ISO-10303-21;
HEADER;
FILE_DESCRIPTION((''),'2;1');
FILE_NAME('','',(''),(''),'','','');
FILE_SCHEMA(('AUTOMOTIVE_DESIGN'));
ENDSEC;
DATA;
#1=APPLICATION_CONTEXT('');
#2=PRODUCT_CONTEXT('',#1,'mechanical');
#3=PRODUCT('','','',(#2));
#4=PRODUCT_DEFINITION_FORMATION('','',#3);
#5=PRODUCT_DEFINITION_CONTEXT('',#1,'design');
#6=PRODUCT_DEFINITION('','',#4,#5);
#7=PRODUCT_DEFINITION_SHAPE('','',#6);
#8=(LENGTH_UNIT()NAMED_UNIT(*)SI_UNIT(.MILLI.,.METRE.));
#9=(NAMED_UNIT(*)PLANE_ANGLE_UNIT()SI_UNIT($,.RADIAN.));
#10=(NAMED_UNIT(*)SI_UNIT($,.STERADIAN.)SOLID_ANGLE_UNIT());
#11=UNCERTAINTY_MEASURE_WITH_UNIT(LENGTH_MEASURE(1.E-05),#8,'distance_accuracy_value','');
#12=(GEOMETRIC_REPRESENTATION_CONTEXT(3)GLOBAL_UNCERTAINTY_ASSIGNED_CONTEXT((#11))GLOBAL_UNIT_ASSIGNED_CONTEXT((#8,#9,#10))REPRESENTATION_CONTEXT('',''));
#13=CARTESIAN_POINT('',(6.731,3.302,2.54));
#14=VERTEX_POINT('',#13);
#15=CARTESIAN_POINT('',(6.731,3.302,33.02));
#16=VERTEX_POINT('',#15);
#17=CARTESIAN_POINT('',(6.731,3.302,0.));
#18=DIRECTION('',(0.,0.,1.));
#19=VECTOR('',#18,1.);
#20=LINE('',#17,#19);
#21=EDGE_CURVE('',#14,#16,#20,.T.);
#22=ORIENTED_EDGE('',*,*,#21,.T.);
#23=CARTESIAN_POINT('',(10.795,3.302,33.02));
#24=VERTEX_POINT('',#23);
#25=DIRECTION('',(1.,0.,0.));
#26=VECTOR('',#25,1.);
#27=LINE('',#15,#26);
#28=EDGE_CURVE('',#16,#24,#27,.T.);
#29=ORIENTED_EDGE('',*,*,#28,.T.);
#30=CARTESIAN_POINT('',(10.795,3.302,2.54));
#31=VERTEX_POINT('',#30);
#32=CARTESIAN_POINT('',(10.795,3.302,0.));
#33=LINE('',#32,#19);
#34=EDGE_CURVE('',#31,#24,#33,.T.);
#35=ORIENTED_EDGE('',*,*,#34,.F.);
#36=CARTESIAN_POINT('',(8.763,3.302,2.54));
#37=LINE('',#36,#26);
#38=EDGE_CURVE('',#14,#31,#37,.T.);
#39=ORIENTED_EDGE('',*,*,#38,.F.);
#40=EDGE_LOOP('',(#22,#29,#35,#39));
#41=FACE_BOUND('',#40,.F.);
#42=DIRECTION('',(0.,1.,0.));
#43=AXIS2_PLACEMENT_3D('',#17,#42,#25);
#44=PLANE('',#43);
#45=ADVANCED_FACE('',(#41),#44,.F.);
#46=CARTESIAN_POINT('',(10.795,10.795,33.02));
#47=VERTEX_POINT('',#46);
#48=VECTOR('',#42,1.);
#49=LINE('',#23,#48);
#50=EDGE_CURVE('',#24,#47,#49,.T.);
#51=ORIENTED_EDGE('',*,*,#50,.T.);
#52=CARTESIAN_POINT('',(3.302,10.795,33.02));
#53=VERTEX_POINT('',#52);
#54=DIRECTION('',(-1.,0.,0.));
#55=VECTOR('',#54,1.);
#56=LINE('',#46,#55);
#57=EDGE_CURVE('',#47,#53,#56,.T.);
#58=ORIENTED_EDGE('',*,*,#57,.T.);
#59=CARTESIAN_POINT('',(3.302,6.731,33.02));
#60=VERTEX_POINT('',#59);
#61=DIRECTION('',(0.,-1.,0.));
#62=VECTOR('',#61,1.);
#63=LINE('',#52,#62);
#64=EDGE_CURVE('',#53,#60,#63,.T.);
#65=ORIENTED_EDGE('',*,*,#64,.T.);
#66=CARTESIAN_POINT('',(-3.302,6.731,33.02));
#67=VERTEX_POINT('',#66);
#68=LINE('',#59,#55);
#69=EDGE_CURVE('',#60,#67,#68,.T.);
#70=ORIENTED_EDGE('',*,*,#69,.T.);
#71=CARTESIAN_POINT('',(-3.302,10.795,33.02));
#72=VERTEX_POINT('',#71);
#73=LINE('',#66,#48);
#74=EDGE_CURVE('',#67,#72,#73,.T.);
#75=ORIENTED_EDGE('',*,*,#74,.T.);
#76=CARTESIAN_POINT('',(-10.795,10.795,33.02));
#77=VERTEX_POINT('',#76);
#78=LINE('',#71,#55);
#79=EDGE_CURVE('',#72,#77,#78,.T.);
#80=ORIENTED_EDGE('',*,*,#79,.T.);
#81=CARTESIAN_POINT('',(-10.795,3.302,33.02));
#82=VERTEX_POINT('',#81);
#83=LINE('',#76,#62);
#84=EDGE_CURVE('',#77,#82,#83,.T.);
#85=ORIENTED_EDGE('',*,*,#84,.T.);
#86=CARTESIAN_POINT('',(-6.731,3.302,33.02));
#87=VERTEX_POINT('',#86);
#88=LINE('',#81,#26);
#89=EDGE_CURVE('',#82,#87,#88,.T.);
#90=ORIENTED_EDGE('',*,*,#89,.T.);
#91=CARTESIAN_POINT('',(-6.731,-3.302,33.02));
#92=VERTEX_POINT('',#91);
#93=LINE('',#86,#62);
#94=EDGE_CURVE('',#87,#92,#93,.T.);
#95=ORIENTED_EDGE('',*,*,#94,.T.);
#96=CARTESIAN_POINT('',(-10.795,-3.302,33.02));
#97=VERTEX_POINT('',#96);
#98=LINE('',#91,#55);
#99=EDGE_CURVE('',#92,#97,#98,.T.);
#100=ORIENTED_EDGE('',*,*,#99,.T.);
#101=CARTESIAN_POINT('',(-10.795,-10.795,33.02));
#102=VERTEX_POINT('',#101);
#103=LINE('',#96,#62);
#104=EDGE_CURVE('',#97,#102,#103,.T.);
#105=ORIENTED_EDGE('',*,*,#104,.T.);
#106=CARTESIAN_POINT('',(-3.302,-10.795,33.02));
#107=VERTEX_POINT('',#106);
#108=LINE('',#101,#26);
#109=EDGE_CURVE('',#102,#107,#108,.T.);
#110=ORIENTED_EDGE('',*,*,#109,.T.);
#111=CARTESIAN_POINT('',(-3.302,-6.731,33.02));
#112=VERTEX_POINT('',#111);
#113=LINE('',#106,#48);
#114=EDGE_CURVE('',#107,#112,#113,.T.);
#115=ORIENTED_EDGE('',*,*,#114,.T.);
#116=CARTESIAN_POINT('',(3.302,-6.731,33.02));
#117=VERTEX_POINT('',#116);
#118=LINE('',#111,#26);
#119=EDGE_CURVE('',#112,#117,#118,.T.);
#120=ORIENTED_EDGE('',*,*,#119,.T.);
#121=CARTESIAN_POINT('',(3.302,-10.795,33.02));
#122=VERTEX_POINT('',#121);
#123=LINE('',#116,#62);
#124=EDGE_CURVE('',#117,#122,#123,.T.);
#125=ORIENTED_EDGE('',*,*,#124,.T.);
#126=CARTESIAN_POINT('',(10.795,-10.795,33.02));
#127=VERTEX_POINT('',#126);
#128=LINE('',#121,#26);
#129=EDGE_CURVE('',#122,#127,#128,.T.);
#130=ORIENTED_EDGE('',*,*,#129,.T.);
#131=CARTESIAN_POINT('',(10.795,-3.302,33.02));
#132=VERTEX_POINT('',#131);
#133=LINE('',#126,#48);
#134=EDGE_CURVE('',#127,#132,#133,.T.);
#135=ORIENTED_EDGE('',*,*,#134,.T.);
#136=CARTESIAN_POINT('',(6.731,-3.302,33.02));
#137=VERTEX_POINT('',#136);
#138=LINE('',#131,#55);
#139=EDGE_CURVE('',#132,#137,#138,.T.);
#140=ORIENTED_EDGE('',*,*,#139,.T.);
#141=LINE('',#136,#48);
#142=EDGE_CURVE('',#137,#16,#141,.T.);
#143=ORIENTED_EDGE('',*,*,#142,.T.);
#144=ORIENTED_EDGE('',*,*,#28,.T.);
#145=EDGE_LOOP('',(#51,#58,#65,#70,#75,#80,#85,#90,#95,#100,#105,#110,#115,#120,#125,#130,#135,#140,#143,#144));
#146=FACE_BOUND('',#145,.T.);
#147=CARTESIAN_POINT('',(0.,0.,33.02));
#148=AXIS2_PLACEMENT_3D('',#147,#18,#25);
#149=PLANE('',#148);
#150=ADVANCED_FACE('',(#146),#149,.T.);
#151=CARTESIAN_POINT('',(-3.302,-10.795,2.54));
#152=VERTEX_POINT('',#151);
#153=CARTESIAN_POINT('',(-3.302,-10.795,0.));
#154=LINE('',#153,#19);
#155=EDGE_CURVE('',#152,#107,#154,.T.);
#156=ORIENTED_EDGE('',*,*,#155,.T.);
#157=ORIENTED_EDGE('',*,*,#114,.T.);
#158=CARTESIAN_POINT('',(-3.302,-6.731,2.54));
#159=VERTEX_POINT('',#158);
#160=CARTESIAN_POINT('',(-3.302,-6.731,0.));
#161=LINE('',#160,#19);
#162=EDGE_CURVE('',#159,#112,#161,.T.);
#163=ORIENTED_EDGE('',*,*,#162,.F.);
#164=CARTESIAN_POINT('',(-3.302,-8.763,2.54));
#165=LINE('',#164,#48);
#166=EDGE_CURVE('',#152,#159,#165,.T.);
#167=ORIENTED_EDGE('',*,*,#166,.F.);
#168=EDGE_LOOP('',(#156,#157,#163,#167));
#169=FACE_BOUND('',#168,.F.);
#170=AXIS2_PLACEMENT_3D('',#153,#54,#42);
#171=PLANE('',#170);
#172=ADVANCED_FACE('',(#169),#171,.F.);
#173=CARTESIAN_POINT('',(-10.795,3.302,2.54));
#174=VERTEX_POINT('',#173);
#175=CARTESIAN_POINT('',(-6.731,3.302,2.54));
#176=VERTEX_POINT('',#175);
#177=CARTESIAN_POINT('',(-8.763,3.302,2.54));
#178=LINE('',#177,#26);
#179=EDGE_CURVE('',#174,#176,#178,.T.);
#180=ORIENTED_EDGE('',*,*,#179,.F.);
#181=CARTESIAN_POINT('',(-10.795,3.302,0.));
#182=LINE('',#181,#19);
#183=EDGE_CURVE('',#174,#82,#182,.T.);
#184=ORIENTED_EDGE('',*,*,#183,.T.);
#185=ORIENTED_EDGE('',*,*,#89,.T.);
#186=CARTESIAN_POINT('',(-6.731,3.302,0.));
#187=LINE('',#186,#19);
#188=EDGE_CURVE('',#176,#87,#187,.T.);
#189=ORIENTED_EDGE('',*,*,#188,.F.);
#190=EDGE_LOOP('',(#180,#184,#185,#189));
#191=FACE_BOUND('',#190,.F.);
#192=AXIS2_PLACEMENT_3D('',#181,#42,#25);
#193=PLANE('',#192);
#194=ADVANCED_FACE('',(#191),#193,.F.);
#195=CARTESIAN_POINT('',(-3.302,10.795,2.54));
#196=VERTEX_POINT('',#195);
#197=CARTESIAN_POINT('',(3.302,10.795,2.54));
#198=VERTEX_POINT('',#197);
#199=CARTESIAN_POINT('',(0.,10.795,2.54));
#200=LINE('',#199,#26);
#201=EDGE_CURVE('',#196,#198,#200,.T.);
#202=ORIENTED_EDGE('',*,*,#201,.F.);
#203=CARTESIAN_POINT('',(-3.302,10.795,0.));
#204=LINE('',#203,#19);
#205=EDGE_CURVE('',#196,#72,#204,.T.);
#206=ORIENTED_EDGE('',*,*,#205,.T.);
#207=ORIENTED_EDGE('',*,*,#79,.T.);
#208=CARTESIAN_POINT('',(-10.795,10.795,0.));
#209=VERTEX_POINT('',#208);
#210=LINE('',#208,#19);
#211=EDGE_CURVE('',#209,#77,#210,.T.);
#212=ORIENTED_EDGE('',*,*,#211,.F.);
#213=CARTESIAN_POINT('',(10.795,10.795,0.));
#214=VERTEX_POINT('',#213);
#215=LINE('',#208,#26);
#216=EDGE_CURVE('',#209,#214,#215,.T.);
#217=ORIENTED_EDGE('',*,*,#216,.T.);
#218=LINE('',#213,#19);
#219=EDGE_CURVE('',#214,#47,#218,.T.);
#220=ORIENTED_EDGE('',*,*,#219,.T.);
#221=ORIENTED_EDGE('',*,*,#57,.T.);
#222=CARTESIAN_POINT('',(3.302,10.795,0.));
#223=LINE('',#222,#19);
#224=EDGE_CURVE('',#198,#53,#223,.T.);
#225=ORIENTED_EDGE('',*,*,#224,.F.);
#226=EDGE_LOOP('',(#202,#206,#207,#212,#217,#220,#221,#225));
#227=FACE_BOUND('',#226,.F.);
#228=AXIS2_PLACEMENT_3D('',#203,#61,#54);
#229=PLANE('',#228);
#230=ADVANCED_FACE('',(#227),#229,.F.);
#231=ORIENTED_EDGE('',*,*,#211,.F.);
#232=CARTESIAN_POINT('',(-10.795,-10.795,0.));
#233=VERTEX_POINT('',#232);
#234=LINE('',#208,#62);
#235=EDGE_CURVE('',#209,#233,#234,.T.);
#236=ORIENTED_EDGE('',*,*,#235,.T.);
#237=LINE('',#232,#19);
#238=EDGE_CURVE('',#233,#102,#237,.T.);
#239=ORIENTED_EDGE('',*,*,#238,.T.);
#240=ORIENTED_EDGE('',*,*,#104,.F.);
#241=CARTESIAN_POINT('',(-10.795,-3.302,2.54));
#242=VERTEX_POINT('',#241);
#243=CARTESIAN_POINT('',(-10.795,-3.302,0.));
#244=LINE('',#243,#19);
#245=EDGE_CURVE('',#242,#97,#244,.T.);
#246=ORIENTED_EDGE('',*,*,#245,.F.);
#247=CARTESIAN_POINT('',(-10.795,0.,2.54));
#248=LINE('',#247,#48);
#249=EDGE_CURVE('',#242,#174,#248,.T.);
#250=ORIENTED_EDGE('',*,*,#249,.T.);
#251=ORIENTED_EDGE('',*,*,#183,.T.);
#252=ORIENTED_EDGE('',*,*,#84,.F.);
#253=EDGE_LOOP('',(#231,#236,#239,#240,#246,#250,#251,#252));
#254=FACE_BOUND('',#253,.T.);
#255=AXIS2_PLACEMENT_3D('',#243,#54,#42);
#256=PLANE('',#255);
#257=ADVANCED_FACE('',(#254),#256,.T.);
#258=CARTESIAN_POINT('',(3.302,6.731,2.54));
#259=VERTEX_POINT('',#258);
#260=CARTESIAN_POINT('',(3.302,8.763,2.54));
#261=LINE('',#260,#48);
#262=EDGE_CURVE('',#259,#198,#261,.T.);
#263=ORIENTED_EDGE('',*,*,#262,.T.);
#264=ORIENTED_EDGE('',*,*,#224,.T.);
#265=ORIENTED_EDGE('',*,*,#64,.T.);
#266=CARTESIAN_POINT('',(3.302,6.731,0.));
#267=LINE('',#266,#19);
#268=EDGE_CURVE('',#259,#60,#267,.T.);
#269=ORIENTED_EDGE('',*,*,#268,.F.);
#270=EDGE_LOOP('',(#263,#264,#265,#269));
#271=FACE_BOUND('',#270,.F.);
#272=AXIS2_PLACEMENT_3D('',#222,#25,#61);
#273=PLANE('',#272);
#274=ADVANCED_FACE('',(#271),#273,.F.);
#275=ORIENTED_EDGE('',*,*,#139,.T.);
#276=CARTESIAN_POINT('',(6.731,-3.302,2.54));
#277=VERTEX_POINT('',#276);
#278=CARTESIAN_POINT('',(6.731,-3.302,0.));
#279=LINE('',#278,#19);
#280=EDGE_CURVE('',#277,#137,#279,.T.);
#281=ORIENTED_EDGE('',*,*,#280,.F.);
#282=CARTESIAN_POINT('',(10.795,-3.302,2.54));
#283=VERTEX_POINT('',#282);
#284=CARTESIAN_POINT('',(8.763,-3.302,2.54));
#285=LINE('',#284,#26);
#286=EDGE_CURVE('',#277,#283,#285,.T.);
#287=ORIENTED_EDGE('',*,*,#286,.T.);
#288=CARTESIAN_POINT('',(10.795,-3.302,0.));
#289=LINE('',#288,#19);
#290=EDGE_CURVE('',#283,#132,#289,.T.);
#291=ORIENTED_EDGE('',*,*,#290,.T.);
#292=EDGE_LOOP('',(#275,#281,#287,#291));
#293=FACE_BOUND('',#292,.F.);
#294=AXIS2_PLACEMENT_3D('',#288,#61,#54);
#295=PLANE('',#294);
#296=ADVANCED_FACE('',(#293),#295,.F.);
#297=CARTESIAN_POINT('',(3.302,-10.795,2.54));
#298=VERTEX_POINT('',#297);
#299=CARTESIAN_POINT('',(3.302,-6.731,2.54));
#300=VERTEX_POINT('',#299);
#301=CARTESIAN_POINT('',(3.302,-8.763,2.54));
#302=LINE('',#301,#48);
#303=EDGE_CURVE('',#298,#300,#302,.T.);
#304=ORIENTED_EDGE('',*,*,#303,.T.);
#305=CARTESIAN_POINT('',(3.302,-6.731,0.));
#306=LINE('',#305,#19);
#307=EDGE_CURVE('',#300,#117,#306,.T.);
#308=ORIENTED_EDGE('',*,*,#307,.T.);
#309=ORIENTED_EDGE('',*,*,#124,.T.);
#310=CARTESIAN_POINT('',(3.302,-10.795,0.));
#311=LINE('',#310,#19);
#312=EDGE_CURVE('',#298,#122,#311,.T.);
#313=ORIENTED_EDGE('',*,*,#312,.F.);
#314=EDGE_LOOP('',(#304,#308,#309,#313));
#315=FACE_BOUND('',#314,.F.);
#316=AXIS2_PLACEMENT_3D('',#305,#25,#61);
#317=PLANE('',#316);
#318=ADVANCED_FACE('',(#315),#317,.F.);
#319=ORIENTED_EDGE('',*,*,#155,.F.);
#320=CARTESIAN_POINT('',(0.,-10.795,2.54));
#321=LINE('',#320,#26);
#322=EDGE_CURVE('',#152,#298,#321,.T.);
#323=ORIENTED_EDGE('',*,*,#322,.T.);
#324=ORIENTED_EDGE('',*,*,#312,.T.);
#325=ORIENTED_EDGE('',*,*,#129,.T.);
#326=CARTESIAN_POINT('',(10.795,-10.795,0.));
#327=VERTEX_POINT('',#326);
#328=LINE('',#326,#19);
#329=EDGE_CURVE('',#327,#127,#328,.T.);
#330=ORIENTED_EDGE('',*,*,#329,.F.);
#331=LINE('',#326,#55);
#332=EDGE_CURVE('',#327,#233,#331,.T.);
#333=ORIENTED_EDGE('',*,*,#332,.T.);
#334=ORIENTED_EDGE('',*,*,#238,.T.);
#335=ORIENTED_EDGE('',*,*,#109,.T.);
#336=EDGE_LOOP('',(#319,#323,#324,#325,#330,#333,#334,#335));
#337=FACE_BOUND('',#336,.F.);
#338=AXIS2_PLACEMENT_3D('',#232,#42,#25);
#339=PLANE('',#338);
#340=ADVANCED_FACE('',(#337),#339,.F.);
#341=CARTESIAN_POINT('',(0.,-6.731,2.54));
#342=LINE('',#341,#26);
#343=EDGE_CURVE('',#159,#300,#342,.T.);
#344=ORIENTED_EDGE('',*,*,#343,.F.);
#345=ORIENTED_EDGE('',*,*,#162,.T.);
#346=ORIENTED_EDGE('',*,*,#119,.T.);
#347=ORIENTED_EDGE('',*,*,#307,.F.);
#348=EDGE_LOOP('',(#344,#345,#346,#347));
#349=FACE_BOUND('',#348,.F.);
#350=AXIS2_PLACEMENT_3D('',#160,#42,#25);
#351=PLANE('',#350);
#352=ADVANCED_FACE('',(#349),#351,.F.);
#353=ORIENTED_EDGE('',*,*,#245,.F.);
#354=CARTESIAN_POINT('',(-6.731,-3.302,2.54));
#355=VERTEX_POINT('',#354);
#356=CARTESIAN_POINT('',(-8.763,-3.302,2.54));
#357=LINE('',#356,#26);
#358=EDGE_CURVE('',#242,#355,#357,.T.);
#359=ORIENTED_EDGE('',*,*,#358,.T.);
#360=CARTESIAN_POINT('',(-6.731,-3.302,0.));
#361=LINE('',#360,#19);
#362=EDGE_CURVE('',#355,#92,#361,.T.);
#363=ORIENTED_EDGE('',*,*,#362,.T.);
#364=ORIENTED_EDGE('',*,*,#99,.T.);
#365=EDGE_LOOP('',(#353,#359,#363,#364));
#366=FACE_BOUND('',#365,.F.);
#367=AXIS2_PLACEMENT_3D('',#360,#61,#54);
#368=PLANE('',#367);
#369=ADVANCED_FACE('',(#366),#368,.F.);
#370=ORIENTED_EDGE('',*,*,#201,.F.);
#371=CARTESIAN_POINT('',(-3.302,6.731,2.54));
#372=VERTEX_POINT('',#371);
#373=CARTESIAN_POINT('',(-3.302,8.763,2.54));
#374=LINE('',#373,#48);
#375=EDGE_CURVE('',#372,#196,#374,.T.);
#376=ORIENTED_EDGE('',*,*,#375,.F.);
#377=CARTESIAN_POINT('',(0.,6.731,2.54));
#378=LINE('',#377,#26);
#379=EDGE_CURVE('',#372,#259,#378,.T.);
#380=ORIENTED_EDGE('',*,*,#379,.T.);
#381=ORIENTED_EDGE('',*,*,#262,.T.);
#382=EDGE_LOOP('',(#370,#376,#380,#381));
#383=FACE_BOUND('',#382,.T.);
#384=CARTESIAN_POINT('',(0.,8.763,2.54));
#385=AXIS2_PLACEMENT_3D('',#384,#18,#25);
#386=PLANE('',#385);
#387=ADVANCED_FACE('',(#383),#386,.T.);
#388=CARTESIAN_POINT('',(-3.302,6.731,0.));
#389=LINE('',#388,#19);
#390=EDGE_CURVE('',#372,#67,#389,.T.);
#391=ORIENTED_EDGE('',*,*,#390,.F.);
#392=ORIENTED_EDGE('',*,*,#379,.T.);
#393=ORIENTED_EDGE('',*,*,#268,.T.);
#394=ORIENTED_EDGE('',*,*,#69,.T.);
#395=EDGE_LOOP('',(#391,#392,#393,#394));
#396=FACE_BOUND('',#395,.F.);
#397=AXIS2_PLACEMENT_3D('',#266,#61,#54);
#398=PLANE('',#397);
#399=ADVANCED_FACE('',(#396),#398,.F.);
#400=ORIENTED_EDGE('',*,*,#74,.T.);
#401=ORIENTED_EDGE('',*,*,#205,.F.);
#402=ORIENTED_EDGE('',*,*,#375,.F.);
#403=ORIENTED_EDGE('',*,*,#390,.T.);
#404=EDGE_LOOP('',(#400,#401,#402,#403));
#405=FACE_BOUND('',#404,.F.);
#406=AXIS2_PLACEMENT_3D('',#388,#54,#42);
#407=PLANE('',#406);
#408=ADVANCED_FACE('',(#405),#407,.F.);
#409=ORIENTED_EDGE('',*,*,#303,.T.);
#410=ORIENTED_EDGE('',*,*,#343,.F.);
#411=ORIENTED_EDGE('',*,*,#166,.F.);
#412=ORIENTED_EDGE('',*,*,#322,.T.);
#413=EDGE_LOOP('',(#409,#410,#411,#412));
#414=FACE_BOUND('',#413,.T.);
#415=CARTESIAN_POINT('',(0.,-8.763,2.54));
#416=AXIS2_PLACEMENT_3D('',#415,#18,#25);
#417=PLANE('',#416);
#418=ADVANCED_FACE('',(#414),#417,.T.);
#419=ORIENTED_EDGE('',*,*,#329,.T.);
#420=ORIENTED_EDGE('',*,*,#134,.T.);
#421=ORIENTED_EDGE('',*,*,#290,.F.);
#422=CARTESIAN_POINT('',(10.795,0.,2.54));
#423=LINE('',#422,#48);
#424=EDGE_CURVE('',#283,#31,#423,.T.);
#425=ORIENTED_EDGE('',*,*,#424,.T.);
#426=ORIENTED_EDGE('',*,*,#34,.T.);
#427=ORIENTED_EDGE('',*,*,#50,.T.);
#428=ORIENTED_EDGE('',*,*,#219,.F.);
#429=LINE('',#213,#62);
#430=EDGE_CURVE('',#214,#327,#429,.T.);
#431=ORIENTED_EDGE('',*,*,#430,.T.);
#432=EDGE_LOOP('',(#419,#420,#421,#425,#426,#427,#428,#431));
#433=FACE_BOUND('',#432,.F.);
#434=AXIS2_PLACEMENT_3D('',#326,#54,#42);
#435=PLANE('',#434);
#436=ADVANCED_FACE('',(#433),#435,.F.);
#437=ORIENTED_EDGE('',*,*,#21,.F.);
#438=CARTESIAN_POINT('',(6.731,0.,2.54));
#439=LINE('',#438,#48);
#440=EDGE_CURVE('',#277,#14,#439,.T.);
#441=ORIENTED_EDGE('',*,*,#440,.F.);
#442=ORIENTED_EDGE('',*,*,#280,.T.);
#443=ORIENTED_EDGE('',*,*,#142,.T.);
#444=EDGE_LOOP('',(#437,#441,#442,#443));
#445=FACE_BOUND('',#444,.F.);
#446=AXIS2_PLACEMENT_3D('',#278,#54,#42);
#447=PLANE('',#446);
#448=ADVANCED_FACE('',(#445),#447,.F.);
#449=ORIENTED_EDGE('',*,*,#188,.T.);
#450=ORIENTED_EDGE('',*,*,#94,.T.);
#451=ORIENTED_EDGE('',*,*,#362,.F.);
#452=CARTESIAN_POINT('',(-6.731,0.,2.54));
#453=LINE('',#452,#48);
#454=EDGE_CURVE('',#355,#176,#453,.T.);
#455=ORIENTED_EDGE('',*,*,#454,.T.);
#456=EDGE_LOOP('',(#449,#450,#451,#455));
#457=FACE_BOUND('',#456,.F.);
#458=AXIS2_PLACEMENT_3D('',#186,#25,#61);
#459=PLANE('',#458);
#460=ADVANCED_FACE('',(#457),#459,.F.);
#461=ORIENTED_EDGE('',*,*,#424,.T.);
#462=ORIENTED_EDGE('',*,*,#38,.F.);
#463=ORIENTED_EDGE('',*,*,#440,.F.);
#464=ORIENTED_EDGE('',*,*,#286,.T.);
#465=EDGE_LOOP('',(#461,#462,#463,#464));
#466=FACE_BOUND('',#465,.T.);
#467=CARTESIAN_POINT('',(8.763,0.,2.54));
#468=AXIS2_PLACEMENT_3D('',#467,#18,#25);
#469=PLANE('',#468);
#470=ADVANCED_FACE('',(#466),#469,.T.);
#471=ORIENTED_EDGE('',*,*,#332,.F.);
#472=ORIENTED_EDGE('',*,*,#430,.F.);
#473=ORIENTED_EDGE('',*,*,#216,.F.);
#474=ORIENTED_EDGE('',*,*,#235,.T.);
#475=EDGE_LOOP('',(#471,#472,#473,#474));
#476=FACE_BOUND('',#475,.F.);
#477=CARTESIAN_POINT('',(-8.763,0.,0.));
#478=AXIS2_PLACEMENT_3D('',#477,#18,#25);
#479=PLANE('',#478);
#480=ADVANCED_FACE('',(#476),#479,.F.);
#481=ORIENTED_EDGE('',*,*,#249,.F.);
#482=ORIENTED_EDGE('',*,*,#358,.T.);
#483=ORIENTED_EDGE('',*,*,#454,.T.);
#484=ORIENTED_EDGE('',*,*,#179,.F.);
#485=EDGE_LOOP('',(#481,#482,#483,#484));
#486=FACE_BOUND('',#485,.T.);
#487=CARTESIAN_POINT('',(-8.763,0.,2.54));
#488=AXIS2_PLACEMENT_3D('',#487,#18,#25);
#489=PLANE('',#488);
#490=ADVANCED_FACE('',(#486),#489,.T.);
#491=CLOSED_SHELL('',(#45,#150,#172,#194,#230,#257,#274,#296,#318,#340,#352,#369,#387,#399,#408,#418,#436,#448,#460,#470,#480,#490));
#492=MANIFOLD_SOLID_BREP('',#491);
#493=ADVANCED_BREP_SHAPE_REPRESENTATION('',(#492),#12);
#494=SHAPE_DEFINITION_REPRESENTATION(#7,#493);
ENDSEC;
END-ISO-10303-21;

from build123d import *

# Parameters (mm, degrees)
F1_DEPTH = 33.02
F0_W     = 4.064
F0_H     = 6.604
F0_W_2   = 6.604
F0_H_2   = 4.064
F2_DEPTH = 2.54


with BuildPart() as f1:
    # F0 (on Top) → F1 (new body)
    with BuildSketch(Plane.XY):
        Polygon((-3.302, 10.795), (-10.795, 10.795), (-10.795, 3.302), (-6.731, 3.302), (-6.731, -3.302), (-10.795, -3.302), (-10.795, -10.795), (-3.302, -10.795), (-3.302, -6.731), (3.302, -6.731), (3.302, -10.795), (10.795, -10.795), (10.795, -3.302), (6.731, -3.302), (6.731, 3.302), (10.795, 3.302), (10.795, 10.795), (3.302, 10.795), (3.302, 6.731), (-3.302, 6.731), align=None)
    extrude(amount=F1_DEPTH)

    # F0 (on Top) → F2 (join)
    with BuildSketch(Plane.XY):
        with Locations((-8.763, 0)):
            Rectangle(F0_W, F0_H)
        with Locations((0, 8.763)):
            Rectangle(F0_W_2, F0_H_2)
        with Locations((8.763, 0)):
            Rectangle(F0_W, F0_H)
        with Locations((0, -8.763)):
            Rectangle(F0_W_2, F0_H_2)
    extrude(amount=F2_DEPTH)


solid = f1.part
